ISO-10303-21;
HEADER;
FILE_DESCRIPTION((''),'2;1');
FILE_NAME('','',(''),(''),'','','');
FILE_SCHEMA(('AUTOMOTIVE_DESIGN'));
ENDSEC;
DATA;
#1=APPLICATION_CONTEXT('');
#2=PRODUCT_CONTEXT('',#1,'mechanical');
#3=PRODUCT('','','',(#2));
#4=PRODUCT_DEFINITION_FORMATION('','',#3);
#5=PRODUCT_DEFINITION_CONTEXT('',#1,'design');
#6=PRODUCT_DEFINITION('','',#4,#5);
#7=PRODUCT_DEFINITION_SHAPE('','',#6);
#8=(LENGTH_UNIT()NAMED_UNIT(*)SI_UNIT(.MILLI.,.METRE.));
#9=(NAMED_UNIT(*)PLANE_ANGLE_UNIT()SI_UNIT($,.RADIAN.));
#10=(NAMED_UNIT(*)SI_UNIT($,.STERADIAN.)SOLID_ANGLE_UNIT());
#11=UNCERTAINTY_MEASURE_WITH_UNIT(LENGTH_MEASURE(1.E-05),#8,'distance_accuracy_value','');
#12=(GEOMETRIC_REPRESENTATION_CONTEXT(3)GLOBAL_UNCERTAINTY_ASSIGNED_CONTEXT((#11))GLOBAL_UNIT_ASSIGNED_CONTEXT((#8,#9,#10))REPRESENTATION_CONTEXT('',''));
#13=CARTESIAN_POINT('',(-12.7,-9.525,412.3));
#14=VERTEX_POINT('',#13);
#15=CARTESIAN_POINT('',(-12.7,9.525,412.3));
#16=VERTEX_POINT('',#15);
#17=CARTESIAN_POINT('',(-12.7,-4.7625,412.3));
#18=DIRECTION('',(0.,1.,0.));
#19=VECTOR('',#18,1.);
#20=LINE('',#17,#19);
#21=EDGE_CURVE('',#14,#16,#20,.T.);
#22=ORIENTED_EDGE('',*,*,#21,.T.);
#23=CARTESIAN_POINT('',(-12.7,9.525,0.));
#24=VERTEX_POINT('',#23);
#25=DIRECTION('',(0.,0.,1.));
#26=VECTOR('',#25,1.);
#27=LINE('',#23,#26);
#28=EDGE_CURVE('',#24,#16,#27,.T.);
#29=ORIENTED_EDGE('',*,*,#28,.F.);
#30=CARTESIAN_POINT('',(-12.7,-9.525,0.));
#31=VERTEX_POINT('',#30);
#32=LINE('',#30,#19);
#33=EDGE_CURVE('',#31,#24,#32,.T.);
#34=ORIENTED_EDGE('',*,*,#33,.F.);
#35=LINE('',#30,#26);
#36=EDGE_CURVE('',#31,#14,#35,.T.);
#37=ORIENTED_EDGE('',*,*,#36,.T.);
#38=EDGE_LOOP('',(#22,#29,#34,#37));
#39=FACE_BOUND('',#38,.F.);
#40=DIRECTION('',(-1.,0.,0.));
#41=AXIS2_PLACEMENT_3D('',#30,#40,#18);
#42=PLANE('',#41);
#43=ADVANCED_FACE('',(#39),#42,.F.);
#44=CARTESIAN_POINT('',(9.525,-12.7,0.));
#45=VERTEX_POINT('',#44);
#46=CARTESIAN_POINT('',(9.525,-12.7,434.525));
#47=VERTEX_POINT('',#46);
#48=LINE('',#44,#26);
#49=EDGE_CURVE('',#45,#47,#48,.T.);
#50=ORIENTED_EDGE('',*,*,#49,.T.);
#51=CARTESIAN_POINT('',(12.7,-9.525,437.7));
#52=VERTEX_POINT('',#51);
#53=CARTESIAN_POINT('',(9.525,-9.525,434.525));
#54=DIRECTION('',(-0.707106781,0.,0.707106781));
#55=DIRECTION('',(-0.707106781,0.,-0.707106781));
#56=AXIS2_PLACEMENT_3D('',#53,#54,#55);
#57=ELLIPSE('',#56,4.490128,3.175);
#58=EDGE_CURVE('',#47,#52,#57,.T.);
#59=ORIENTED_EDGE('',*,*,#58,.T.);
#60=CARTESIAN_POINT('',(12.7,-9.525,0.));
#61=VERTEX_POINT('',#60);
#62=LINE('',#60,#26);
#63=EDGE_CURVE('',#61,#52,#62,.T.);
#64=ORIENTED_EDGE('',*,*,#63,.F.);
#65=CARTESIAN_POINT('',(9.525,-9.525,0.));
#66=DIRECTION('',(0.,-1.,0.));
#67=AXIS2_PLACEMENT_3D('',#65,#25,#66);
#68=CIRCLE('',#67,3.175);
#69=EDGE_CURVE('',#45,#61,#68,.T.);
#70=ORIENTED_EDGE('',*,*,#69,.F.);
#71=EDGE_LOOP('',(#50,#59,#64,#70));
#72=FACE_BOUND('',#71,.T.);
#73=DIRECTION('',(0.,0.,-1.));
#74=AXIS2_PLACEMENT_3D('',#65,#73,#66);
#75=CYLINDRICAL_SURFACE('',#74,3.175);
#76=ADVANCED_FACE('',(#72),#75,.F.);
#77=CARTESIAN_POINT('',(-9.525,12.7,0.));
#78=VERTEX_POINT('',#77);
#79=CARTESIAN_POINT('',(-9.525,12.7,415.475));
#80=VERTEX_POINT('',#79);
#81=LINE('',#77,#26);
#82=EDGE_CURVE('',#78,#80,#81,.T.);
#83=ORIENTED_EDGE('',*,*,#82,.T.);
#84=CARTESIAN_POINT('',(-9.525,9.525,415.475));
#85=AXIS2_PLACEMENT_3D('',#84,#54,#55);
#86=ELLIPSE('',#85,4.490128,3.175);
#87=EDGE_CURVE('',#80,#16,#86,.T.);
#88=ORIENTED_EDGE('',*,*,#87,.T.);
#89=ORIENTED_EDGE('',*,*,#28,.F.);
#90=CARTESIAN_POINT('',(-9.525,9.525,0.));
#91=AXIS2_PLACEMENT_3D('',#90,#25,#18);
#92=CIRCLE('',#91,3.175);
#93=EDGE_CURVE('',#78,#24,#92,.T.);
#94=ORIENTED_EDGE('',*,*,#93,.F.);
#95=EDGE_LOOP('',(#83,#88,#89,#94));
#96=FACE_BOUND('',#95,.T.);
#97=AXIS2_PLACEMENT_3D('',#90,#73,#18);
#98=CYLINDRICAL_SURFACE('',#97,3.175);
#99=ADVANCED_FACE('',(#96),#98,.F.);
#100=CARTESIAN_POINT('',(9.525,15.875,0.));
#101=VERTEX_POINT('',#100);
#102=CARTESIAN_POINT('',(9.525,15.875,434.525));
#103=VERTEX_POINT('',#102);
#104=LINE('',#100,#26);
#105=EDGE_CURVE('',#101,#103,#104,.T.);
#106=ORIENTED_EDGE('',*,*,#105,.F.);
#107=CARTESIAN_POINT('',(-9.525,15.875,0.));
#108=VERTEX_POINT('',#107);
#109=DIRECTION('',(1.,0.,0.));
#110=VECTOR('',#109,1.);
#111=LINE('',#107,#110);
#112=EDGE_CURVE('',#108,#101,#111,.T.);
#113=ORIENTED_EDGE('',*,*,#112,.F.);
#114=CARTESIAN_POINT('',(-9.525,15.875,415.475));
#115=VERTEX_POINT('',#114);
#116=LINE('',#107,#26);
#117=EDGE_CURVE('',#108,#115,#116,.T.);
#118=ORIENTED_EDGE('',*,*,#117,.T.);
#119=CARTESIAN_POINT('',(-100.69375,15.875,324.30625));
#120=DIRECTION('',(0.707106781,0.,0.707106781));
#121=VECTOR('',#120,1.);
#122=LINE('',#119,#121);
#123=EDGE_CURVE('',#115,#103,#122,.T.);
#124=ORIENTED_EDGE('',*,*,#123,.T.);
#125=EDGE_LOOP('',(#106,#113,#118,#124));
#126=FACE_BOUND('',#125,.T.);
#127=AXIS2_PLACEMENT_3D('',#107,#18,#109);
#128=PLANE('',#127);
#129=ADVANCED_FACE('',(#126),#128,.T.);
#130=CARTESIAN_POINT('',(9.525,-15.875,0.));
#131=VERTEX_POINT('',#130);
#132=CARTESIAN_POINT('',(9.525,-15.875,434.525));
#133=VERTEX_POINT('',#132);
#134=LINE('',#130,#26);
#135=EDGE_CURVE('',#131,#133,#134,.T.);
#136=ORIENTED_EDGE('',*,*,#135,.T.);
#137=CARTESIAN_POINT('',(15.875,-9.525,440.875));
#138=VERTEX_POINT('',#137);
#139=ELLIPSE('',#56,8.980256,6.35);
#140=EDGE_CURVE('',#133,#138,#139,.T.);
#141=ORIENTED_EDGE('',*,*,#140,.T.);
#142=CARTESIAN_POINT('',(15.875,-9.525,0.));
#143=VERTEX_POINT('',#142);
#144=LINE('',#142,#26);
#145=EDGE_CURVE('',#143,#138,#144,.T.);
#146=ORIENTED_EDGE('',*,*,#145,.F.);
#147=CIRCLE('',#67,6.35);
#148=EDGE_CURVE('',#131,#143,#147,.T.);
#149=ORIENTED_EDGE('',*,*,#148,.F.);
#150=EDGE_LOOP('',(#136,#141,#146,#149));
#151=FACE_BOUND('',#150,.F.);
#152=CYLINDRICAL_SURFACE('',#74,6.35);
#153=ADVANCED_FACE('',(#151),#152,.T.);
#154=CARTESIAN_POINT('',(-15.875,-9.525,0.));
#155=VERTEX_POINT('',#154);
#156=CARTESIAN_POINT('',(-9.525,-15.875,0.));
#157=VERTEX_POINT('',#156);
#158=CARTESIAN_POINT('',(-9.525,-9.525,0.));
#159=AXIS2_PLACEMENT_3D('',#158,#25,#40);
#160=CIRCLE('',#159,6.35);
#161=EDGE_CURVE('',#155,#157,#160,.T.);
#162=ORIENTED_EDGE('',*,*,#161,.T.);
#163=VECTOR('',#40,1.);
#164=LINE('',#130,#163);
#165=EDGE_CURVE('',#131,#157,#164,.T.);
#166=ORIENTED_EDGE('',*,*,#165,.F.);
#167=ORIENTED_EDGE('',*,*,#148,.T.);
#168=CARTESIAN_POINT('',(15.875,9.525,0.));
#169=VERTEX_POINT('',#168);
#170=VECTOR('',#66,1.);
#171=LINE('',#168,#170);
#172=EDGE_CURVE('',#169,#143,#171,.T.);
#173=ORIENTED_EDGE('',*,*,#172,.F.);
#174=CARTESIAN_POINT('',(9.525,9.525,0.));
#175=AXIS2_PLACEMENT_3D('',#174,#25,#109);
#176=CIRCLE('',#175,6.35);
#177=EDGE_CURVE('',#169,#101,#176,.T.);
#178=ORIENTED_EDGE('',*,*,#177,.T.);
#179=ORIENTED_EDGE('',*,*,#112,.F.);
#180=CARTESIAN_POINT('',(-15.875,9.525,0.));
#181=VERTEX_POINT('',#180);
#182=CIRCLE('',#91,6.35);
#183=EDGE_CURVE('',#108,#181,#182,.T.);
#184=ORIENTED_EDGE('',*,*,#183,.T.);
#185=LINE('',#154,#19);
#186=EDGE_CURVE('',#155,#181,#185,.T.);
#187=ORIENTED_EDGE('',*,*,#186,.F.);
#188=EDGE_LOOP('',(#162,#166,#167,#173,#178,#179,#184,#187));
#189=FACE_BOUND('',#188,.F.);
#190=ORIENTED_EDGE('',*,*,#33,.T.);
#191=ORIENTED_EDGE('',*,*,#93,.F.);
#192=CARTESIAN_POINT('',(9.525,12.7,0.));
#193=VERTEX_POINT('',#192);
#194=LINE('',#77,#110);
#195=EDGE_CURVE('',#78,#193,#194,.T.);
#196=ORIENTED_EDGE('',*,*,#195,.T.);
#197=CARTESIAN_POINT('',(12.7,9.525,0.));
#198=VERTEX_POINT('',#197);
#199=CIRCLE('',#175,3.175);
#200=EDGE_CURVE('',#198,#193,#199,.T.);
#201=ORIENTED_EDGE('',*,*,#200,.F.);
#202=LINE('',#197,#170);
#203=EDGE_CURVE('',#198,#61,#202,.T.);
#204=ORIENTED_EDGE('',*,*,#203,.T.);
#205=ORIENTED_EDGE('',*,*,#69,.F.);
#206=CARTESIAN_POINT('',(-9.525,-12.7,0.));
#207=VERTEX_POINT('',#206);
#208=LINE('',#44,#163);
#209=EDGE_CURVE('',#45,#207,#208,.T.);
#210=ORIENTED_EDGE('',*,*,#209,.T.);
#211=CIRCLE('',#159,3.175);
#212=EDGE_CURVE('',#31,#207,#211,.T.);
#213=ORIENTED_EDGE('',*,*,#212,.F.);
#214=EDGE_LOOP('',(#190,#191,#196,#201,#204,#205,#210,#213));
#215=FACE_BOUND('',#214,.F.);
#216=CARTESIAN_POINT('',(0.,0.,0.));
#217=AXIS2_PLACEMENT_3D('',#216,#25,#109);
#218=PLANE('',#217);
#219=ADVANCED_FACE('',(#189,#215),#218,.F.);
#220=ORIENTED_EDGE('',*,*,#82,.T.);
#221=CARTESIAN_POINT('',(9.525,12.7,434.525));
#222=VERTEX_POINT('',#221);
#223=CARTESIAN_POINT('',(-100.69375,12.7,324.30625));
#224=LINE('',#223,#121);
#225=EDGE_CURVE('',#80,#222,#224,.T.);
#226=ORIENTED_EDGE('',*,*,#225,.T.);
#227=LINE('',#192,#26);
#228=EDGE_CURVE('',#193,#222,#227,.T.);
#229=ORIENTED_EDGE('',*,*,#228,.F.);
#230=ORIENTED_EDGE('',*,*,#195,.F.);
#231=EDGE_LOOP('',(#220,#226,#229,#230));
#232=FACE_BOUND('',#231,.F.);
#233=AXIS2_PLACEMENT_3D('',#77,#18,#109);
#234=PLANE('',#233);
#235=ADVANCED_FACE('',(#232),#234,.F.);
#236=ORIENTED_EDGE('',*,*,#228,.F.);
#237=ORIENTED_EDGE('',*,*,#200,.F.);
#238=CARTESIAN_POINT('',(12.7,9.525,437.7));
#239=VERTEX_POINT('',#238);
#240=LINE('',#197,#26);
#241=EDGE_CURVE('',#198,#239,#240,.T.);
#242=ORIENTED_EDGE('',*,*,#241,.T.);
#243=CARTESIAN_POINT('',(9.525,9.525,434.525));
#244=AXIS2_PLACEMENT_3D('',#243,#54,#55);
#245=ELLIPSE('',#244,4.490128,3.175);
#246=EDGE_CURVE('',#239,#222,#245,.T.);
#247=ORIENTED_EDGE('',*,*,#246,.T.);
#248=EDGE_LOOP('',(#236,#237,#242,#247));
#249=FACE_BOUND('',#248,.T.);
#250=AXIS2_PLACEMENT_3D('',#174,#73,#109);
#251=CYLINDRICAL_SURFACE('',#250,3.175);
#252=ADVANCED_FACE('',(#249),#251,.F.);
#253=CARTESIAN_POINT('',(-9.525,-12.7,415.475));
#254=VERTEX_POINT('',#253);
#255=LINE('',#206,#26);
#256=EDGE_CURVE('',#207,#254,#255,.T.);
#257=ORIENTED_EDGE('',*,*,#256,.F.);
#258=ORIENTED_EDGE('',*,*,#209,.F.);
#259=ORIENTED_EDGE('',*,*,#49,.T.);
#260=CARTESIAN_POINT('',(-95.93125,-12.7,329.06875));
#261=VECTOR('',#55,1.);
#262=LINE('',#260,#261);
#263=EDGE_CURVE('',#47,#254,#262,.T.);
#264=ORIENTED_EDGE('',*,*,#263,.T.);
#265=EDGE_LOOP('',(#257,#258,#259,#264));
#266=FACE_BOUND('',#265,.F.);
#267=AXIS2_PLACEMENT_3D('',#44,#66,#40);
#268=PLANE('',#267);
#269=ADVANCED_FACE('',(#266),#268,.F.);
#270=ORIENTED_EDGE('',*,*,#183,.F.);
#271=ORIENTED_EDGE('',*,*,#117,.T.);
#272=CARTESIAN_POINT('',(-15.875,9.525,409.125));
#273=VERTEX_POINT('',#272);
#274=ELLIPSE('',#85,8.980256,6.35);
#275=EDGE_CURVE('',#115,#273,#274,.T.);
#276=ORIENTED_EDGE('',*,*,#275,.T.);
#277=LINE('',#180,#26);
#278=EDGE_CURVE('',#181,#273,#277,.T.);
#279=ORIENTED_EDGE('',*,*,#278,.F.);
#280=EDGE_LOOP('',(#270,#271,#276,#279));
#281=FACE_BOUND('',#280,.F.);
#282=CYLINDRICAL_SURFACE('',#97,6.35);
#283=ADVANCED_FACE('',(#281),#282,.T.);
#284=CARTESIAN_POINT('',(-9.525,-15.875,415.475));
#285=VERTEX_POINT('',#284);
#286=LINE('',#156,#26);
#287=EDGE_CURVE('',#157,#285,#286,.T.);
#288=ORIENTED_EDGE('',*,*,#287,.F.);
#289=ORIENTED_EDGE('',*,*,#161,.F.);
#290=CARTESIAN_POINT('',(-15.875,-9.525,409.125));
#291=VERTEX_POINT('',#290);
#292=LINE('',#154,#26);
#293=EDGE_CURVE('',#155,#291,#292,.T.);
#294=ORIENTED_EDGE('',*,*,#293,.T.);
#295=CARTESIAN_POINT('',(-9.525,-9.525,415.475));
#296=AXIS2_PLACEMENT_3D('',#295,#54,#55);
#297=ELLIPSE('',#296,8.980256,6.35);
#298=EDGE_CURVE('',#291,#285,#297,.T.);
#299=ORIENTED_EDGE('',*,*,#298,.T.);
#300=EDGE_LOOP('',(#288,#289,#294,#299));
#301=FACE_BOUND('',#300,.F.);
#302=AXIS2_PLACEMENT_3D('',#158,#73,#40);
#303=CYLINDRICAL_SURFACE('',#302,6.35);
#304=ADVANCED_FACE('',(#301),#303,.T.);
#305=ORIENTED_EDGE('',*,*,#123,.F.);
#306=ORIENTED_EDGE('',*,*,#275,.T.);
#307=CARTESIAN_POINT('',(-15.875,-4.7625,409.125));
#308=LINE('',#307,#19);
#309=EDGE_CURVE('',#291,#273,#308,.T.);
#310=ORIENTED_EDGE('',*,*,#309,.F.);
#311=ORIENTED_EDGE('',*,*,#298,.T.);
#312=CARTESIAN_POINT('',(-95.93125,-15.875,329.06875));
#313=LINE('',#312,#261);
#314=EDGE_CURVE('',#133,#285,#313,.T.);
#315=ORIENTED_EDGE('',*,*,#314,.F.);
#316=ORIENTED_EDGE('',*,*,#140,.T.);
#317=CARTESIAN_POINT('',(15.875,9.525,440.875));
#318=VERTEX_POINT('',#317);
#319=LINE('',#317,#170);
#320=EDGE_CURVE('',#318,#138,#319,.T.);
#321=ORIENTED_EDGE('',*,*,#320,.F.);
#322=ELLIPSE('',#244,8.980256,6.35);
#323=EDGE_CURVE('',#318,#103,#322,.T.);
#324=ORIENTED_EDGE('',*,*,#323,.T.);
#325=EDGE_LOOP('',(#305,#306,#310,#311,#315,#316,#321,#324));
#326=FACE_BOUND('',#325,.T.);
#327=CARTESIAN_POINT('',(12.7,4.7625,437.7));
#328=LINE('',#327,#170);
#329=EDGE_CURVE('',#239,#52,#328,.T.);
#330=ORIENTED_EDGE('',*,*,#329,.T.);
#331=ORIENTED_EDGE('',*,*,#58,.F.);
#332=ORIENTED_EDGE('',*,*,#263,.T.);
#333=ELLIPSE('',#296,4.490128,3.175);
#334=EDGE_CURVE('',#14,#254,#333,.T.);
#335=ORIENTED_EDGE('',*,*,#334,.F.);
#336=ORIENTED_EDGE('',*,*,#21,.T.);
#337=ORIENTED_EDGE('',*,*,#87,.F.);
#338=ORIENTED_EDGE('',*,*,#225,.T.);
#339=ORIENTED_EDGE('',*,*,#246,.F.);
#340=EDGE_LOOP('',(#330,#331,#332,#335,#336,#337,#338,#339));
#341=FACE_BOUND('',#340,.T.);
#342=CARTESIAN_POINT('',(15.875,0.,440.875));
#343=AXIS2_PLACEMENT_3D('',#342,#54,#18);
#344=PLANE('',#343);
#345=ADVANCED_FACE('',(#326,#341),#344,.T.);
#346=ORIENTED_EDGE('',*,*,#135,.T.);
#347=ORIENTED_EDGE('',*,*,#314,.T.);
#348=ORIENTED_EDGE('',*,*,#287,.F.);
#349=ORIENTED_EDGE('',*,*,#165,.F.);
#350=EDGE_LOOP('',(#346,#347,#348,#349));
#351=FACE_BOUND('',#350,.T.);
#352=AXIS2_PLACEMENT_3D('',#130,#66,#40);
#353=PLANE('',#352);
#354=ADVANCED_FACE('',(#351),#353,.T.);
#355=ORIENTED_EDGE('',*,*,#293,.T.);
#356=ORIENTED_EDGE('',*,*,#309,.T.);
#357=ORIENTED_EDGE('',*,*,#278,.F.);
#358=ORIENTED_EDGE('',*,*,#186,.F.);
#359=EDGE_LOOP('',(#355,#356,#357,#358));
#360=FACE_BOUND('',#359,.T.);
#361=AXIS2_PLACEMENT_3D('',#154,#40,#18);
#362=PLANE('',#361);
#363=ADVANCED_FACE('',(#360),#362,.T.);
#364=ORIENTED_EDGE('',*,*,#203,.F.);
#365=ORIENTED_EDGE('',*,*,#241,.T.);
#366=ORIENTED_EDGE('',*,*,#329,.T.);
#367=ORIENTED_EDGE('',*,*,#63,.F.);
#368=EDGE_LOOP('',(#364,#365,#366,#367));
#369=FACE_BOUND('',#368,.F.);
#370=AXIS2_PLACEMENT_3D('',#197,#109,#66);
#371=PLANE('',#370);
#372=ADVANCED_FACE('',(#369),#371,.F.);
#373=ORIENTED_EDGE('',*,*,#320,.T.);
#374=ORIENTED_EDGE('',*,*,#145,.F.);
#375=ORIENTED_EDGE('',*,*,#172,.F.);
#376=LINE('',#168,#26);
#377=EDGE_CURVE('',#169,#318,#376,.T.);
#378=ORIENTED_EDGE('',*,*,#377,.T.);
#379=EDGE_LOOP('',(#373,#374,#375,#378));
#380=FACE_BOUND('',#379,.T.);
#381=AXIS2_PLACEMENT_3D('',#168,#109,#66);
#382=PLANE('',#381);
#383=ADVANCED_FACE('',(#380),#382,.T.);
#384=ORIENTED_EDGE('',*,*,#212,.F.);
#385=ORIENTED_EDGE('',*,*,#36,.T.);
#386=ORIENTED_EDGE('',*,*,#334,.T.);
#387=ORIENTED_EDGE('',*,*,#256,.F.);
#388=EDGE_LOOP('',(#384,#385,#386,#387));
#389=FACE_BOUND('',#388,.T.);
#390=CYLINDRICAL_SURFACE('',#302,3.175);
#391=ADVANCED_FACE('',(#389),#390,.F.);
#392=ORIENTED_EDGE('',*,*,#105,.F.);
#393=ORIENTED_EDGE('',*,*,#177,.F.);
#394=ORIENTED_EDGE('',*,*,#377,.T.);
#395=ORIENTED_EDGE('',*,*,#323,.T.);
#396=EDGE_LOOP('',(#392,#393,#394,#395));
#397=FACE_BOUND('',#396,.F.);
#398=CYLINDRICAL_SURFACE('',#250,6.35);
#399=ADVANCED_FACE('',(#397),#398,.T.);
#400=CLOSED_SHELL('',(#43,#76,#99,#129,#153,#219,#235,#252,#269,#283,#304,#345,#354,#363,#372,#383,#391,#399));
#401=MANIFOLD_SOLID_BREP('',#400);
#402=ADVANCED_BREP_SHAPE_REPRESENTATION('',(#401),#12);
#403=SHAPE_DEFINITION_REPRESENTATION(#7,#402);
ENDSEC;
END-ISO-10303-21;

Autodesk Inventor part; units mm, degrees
ref_plane "Start Plane" through (0, 0, 0) normal (0, 0, 1) x (1, 0, 0)
ref_plane "End Plane" through (0, 0, 440.875) normal (0, 0, 1) x (1, 0, 0)
sketch "Sketch" plane through (0, 0, 0) normal (0, 0, 1) x (1, 0, 0)
  line L0 (-15.875, -9.525) -> (-15.875, 9.525)
  line L1 (-9.525, 15.875) -> (9.525, 15.875)
  line L2 (15.875, 9.525) -> (15.875, -9.525)
  line L3 (9.525, -15.875) -> (-9.525, -15.875)
  arc A0 (-15.875, -9.525) -> (-9.525, -15.875) centre (-9.525, -9.525) ccw
  arc A1 (-9.525, 15.875) -> (-15.875, 9.525) centre (-9.525, 9.525) ccw
  arc A2 (15.875, 9.525) -> (9.525, 15.875) centre (9.525, 9.525) ccw
  arc A3 (9.525, -15.875) -> (15.875, -9.525) centre (9.525, -9.525) ccw
  arc A4 (-9.525, 12.7) -> (-12.7, 9.525) centre (-9.525, 9.525) ccw
  line L4 (-9.525, 12.7) -> (9.525, 12.7)
  arc A5 (12.7, 9.525) -> (9.525, 12.7) centre (9.525, 9.525) ccw
  line L5 (12.7, 9.525) -> (12.7, -9.525)
  arc A6 (9.525, -12.7) -> (12.7, -9.525) centre (9.525, -9.525) ccw
  line L6 (9.525, -12.7) -> (-9.525, -12.7)
  arc A7 (-12.7, -9.525) -> (-9.525, -12.7) centre (-9.525, -9.525) ccw
  line L7 (-12.7, -9.525) -> (-12.7, 9.525)
  line L8 (0, 24.0662) -> (0, -24.0662) construction
  line L9 (-24.0662, 0) -> (24.0662, 0) construction
  dimension "d10" = 31.75
  dimension "d11" = 31.75
  dimension "d12" = 3.175
  dimension "d15" = 15.875
  dimension "d16" = 15.875
  dimension "d17" = 6.35
extrude "Body" add sketch "Sketch" along normal up to surface (440.875 mm away) from surface at 0
sketch "Sketch3" plane through (0, 0, 0) normal (0, 0, 1) x (1, 0, 0)
  line L0 (0, 0) -> (10, 0)
ref_plane "Work Plane3" through (0, 0, 0) normal (0, -1, 0) x (1, 0, 0)
sketch "Sketch4" plane through (0, 0, 0) normal (0, -1, 0) x (1, 0, 0)
  line L0 (-2, 0) -> (12, 0)
  line L1 (-2, 440.875) -> (12, 440.875)
  dimension "d19" = 440.875
ref_plane "Work Plane4" through (15.875, 0, 440.875) normal (-0.7071, 0, 0.7071) x (0.7071, 0, 0.7071)
split "Split1" plane through (15.875, 0, 440.875) removes the side toward (-0.7071, 0, 0.7071)
equation "\"d10\" = G_H"
equation "\"d11\" = G_W"
equation "\"d12\" = G_T"
equation "\"d15\" = 0.5 * d10"
equation "\"d16\" = 0.5 * d11"
equation "\"d17\" = G_IR"
equation "\"d3\" = G_L"
equation "\"G_W\" = 31.75"
equation "\"G_H\" = 31.75"
equation "\"G_T\" = 3.175"
equation "\"G_IR\" = 6.35"
equation "\"G_L\" = d19"
equation "\"G_OFFSET_START\" = 0"
equation "\"G_OFFSET_END\" = 15.875"
equation "\"d14\" = G_OFFSET_END + B_L"
equation "\"B_L\" = 425"
properties part number "AISC HSS - (1 1/4x1 1/4x1/8) - 17.357" material "Steel, Mild"
